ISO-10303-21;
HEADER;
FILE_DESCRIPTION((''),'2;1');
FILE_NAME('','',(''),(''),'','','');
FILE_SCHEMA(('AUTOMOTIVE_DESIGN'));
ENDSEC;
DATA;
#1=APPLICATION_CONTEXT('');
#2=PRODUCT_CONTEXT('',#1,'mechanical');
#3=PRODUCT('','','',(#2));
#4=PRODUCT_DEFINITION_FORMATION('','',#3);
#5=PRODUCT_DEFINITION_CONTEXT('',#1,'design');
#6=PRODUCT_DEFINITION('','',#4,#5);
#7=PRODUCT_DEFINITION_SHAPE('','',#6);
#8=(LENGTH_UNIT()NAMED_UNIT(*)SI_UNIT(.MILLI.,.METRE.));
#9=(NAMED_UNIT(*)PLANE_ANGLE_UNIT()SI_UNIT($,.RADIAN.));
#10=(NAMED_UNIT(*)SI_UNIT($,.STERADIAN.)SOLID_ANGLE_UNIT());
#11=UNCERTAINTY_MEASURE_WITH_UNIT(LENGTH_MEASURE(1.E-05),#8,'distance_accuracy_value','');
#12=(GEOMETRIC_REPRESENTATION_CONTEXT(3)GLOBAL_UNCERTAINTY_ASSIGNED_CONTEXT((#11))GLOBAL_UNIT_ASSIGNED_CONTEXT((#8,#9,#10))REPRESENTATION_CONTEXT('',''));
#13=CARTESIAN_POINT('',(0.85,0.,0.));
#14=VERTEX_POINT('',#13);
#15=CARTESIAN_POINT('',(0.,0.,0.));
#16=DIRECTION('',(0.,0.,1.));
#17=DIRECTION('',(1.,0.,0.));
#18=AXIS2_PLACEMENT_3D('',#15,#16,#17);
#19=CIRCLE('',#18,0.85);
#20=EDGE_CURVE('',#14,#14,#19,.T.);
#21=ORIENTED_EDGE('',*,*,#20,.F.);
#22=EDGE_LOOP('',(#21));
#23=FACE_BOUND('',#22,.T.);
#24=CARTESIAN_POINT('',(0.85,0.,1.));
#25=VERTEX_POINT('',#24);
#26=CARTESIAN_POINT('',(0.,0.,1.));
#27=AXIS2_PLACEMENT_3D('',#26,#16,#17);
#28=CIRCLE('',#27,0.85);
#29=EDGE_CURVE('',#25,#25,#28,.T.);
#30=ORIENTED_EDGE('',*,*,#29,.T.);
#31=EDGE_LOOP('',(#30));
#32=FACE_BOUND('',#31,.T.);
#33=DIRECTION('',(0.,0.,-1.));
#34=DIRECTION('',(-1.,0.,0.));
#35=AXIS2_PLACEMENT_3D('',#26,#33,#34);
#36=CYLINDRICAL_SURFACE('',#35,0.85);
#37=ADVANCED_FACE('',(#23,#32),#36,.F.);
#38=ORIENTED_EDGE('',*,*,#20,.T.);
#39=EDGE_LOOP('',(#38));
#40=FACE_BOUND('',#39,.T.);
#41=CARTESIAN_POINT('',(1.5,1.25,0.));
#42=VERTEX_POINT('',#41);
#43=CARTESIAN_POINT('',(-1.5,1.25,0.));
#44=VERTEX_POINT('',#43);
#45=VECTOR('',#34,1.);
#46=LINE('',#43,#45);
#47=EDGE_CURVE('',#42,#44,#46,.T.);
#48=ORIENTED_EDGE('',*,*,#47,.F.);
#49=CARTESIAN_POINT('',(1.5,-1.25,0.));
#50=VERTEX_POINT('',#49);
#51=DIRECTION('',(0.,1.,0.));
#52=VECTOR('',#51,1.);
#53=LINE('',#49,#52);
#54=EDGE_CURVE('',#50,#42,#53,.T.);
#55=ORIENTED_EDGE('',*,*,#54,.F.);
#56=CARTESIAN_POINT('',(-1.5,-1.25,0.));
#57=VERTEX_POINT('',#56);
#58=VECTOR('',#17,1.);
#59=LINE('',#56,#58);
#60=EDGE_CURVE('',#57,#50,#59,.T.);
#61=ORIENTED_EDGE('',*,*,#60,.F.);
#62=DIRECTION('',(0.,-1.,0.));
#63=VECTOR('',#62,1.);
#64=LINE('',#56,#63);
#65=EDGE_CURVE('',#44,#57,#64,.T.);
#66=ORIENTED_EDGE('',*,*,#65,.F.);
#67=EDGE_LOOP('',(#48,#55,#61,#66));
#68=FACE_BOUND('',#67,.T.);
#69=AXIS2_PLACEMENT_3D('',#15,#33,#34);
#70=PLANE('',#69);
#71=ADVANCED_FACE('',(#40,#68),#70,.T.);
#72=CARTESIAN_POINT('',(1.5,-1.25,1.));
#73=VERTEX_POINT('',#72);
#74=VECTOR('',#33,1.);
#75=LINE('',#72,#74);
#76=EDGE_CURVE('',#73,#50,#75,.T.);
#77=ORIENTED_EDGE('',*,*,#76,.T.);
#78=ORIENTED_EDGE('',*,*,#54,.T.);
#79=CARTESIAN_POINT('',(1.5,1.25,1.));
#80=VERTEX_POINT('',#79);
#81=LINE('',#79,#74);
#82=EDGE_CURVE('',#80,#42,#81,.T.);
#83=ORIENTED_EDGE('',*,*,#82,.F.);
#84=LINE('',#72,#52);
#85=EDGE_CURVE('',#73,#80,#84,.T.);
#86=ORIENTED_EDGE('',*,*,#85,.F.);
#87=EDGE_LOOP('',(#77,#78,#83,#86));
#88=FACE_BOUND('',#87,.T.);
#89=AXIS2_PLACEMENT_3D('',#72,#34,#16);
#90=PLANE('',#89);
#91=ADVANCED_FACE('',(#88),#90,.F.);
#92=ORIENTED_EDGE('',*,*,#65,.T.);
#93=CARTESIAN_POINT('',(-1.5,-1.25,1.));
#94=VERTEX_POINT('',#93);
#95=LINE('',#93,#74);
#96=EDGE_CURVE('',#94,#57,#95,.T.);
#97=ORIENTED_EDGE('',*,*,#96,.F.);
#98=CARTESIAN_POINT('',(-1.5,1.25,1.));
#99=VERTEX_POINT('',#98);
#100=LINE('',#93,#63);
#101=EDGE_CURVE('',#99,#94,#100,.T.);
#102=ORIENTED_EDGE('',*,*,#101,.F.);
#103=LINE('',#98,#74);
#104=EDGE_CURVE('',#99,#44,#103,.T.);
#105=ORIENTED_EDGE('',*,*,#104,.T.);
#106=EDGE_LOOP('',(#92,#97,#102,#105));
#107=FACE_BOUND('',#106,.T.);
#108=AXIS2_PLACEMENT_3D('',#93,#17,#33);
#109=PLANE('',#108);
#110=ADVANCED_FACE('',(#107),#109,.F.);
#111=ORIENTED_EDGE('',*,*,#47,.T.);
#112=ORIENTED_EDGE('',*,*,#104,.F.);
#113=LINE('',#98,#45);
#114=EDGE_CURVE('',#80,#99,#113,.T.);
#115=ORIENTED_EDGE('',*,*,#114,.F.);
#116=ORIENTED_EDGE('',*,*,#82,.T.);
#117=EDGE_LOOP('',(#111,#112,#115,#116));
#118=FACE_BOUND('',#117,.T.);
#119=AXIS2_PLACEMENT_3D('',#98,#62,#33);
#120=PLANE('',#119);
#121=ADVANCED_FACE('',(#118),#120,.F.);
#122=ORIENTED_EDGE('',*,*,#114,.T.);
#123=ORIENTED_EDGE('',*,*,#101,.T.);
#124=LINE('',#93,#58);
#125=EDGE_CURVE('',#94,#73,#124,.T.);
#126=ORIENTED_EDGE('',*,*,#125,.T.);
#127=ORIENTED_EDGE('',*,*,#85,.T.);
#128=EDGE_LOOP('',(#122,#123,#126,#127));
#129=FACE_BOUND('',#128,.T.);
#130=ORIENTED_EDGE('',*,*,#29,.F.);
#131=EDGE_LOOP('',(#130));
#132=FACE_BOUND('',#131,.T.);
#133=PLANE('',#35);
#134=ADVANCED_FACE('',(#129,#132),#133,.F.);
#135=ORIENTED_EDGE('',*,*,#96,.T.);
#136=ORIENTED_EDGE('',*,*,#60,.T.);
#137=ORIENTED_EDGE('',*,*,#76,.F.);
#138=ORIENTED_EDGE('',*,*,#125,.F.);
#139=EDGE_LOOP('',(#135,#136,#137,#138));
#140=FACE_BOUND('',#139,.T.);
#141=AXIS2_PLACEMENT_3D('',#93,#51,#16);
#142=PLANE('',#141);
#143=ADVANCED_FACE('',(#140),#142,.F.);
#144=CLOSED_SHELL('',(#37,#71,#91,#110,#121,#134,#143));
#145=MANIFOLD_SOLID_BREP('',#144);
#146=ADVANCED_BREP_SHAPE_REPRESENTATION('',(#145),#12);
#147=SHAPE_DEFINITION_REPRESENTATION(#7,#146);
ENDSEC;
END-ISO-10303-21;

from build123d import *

# Parameters (mm, degrees)
SKETCH1_W           = 3
SKETCH1_H           = 2.5
SKETCH1_R           = 0.85
BOSS_EXTRUDE1_DEPTH = 1


with BuildPart() as part:
    # Sketch1 → Boss-Extrude1 (new body)
    with BuildSketch(Plane.XY):
        Rectangle(SKETCH1_W, SKETCH1_H)
        Circle(SKETCH1_R, mode=Mode.SUBTRACT)
    extrude(amount=BOSS_EXTRUDE1_DEPTH)


solid = part.part
